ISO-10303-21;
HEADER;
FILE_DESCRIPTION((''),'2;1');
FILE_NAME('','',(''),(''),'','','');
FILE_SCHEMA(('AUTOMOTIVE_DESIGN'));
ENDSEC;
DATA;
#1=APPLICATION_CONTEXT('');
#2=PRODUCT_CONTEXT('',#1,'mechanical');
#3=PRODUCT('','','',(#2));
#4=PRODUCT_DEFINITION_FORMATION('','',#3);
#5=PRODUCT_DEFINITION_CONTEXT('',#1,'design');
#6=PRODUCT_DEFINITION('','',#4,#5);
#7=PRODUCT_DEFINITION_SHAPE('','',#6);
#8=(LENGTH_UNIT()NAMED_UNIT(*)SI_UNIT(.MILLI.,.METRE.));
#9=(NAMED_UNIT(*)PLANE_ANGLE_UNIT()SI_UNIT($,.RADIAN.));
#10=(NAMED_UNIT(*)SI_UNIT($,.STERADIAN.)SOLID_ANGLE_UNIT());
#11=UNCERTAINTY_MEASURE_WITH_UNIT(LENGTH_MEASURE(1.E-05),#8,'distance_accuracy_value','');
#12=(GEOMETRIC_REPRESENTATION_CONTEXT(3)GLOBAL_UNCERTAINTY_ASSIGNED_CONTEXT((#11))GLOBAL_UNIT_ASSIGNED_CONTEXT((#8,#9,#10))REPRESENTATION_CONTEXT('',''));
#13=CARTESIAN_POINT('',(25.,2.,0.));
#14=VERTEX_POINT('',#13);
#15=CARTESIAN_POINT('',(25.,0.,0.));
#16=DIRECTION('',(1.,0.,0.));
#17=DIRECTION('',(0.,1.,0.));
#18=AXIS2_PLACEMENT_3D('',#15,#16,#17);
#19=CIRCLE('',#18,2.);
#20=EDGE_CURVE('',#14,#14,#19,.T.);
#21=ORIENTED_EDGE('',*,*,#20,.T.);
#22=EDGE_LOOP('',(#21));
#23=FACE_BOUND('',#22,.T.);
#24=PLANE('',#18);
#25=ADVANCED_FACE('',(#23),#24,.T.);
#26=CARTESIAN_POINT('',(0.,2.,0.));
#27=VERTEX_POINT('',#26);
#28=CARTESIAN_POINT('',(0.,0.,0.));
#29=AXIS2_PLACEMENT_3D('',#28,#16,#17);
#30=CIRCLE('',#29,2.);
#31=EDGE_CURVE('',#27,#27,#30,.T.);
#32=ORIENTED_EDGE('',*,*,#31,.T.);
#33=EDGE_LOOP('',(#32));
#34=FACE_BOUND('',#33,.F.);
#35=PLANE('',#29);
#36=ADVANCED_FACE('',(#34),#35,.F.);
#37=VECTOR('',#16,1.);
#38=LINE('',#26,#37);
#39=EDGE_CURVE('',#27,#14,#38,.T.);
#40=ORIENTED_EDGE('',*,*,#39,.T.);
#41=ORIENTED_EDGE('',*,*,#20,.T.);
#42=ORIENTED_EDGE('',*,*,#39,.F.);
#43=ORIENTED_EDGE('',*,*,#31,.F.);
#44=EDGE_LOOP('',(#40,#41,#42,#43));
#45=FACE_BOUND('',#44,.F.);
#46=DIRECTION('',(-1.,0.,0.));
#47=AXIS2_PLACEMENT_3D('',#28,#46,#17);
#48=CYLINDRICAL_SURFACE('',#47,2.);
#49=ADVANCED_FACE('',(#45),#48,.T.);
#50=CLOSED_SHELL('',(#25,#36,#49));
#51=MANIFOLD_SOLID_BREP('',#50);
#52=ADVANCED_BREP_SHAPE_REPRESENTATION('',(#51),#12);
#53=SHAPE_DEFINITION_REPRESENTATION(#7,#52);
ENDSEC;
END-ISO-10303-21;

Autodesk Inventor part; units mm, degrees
ref_plane "YZ Plane" through (0, 0, 0) normal (1, 0, 0) x (0, 1, 0)
ref_plane "XZ Plane" through (0, 0, 0) normal (0, 1, 0) x (-1, 0, 0)
ref_plane "XY Plane" through (0, 0, 0) normal (0, 0, 1) x (1, 0, 0)
sketch "草圖1" plane through (0, 0, 0) normal (1, 0, 0) x (0, 1, 0)
  circle A0 centre (0, 0) radius 2
  dimension "d0" = 4
extrude "擠出1" add sketch "草圖1" along normal blind 25
properties part number "長銷"
